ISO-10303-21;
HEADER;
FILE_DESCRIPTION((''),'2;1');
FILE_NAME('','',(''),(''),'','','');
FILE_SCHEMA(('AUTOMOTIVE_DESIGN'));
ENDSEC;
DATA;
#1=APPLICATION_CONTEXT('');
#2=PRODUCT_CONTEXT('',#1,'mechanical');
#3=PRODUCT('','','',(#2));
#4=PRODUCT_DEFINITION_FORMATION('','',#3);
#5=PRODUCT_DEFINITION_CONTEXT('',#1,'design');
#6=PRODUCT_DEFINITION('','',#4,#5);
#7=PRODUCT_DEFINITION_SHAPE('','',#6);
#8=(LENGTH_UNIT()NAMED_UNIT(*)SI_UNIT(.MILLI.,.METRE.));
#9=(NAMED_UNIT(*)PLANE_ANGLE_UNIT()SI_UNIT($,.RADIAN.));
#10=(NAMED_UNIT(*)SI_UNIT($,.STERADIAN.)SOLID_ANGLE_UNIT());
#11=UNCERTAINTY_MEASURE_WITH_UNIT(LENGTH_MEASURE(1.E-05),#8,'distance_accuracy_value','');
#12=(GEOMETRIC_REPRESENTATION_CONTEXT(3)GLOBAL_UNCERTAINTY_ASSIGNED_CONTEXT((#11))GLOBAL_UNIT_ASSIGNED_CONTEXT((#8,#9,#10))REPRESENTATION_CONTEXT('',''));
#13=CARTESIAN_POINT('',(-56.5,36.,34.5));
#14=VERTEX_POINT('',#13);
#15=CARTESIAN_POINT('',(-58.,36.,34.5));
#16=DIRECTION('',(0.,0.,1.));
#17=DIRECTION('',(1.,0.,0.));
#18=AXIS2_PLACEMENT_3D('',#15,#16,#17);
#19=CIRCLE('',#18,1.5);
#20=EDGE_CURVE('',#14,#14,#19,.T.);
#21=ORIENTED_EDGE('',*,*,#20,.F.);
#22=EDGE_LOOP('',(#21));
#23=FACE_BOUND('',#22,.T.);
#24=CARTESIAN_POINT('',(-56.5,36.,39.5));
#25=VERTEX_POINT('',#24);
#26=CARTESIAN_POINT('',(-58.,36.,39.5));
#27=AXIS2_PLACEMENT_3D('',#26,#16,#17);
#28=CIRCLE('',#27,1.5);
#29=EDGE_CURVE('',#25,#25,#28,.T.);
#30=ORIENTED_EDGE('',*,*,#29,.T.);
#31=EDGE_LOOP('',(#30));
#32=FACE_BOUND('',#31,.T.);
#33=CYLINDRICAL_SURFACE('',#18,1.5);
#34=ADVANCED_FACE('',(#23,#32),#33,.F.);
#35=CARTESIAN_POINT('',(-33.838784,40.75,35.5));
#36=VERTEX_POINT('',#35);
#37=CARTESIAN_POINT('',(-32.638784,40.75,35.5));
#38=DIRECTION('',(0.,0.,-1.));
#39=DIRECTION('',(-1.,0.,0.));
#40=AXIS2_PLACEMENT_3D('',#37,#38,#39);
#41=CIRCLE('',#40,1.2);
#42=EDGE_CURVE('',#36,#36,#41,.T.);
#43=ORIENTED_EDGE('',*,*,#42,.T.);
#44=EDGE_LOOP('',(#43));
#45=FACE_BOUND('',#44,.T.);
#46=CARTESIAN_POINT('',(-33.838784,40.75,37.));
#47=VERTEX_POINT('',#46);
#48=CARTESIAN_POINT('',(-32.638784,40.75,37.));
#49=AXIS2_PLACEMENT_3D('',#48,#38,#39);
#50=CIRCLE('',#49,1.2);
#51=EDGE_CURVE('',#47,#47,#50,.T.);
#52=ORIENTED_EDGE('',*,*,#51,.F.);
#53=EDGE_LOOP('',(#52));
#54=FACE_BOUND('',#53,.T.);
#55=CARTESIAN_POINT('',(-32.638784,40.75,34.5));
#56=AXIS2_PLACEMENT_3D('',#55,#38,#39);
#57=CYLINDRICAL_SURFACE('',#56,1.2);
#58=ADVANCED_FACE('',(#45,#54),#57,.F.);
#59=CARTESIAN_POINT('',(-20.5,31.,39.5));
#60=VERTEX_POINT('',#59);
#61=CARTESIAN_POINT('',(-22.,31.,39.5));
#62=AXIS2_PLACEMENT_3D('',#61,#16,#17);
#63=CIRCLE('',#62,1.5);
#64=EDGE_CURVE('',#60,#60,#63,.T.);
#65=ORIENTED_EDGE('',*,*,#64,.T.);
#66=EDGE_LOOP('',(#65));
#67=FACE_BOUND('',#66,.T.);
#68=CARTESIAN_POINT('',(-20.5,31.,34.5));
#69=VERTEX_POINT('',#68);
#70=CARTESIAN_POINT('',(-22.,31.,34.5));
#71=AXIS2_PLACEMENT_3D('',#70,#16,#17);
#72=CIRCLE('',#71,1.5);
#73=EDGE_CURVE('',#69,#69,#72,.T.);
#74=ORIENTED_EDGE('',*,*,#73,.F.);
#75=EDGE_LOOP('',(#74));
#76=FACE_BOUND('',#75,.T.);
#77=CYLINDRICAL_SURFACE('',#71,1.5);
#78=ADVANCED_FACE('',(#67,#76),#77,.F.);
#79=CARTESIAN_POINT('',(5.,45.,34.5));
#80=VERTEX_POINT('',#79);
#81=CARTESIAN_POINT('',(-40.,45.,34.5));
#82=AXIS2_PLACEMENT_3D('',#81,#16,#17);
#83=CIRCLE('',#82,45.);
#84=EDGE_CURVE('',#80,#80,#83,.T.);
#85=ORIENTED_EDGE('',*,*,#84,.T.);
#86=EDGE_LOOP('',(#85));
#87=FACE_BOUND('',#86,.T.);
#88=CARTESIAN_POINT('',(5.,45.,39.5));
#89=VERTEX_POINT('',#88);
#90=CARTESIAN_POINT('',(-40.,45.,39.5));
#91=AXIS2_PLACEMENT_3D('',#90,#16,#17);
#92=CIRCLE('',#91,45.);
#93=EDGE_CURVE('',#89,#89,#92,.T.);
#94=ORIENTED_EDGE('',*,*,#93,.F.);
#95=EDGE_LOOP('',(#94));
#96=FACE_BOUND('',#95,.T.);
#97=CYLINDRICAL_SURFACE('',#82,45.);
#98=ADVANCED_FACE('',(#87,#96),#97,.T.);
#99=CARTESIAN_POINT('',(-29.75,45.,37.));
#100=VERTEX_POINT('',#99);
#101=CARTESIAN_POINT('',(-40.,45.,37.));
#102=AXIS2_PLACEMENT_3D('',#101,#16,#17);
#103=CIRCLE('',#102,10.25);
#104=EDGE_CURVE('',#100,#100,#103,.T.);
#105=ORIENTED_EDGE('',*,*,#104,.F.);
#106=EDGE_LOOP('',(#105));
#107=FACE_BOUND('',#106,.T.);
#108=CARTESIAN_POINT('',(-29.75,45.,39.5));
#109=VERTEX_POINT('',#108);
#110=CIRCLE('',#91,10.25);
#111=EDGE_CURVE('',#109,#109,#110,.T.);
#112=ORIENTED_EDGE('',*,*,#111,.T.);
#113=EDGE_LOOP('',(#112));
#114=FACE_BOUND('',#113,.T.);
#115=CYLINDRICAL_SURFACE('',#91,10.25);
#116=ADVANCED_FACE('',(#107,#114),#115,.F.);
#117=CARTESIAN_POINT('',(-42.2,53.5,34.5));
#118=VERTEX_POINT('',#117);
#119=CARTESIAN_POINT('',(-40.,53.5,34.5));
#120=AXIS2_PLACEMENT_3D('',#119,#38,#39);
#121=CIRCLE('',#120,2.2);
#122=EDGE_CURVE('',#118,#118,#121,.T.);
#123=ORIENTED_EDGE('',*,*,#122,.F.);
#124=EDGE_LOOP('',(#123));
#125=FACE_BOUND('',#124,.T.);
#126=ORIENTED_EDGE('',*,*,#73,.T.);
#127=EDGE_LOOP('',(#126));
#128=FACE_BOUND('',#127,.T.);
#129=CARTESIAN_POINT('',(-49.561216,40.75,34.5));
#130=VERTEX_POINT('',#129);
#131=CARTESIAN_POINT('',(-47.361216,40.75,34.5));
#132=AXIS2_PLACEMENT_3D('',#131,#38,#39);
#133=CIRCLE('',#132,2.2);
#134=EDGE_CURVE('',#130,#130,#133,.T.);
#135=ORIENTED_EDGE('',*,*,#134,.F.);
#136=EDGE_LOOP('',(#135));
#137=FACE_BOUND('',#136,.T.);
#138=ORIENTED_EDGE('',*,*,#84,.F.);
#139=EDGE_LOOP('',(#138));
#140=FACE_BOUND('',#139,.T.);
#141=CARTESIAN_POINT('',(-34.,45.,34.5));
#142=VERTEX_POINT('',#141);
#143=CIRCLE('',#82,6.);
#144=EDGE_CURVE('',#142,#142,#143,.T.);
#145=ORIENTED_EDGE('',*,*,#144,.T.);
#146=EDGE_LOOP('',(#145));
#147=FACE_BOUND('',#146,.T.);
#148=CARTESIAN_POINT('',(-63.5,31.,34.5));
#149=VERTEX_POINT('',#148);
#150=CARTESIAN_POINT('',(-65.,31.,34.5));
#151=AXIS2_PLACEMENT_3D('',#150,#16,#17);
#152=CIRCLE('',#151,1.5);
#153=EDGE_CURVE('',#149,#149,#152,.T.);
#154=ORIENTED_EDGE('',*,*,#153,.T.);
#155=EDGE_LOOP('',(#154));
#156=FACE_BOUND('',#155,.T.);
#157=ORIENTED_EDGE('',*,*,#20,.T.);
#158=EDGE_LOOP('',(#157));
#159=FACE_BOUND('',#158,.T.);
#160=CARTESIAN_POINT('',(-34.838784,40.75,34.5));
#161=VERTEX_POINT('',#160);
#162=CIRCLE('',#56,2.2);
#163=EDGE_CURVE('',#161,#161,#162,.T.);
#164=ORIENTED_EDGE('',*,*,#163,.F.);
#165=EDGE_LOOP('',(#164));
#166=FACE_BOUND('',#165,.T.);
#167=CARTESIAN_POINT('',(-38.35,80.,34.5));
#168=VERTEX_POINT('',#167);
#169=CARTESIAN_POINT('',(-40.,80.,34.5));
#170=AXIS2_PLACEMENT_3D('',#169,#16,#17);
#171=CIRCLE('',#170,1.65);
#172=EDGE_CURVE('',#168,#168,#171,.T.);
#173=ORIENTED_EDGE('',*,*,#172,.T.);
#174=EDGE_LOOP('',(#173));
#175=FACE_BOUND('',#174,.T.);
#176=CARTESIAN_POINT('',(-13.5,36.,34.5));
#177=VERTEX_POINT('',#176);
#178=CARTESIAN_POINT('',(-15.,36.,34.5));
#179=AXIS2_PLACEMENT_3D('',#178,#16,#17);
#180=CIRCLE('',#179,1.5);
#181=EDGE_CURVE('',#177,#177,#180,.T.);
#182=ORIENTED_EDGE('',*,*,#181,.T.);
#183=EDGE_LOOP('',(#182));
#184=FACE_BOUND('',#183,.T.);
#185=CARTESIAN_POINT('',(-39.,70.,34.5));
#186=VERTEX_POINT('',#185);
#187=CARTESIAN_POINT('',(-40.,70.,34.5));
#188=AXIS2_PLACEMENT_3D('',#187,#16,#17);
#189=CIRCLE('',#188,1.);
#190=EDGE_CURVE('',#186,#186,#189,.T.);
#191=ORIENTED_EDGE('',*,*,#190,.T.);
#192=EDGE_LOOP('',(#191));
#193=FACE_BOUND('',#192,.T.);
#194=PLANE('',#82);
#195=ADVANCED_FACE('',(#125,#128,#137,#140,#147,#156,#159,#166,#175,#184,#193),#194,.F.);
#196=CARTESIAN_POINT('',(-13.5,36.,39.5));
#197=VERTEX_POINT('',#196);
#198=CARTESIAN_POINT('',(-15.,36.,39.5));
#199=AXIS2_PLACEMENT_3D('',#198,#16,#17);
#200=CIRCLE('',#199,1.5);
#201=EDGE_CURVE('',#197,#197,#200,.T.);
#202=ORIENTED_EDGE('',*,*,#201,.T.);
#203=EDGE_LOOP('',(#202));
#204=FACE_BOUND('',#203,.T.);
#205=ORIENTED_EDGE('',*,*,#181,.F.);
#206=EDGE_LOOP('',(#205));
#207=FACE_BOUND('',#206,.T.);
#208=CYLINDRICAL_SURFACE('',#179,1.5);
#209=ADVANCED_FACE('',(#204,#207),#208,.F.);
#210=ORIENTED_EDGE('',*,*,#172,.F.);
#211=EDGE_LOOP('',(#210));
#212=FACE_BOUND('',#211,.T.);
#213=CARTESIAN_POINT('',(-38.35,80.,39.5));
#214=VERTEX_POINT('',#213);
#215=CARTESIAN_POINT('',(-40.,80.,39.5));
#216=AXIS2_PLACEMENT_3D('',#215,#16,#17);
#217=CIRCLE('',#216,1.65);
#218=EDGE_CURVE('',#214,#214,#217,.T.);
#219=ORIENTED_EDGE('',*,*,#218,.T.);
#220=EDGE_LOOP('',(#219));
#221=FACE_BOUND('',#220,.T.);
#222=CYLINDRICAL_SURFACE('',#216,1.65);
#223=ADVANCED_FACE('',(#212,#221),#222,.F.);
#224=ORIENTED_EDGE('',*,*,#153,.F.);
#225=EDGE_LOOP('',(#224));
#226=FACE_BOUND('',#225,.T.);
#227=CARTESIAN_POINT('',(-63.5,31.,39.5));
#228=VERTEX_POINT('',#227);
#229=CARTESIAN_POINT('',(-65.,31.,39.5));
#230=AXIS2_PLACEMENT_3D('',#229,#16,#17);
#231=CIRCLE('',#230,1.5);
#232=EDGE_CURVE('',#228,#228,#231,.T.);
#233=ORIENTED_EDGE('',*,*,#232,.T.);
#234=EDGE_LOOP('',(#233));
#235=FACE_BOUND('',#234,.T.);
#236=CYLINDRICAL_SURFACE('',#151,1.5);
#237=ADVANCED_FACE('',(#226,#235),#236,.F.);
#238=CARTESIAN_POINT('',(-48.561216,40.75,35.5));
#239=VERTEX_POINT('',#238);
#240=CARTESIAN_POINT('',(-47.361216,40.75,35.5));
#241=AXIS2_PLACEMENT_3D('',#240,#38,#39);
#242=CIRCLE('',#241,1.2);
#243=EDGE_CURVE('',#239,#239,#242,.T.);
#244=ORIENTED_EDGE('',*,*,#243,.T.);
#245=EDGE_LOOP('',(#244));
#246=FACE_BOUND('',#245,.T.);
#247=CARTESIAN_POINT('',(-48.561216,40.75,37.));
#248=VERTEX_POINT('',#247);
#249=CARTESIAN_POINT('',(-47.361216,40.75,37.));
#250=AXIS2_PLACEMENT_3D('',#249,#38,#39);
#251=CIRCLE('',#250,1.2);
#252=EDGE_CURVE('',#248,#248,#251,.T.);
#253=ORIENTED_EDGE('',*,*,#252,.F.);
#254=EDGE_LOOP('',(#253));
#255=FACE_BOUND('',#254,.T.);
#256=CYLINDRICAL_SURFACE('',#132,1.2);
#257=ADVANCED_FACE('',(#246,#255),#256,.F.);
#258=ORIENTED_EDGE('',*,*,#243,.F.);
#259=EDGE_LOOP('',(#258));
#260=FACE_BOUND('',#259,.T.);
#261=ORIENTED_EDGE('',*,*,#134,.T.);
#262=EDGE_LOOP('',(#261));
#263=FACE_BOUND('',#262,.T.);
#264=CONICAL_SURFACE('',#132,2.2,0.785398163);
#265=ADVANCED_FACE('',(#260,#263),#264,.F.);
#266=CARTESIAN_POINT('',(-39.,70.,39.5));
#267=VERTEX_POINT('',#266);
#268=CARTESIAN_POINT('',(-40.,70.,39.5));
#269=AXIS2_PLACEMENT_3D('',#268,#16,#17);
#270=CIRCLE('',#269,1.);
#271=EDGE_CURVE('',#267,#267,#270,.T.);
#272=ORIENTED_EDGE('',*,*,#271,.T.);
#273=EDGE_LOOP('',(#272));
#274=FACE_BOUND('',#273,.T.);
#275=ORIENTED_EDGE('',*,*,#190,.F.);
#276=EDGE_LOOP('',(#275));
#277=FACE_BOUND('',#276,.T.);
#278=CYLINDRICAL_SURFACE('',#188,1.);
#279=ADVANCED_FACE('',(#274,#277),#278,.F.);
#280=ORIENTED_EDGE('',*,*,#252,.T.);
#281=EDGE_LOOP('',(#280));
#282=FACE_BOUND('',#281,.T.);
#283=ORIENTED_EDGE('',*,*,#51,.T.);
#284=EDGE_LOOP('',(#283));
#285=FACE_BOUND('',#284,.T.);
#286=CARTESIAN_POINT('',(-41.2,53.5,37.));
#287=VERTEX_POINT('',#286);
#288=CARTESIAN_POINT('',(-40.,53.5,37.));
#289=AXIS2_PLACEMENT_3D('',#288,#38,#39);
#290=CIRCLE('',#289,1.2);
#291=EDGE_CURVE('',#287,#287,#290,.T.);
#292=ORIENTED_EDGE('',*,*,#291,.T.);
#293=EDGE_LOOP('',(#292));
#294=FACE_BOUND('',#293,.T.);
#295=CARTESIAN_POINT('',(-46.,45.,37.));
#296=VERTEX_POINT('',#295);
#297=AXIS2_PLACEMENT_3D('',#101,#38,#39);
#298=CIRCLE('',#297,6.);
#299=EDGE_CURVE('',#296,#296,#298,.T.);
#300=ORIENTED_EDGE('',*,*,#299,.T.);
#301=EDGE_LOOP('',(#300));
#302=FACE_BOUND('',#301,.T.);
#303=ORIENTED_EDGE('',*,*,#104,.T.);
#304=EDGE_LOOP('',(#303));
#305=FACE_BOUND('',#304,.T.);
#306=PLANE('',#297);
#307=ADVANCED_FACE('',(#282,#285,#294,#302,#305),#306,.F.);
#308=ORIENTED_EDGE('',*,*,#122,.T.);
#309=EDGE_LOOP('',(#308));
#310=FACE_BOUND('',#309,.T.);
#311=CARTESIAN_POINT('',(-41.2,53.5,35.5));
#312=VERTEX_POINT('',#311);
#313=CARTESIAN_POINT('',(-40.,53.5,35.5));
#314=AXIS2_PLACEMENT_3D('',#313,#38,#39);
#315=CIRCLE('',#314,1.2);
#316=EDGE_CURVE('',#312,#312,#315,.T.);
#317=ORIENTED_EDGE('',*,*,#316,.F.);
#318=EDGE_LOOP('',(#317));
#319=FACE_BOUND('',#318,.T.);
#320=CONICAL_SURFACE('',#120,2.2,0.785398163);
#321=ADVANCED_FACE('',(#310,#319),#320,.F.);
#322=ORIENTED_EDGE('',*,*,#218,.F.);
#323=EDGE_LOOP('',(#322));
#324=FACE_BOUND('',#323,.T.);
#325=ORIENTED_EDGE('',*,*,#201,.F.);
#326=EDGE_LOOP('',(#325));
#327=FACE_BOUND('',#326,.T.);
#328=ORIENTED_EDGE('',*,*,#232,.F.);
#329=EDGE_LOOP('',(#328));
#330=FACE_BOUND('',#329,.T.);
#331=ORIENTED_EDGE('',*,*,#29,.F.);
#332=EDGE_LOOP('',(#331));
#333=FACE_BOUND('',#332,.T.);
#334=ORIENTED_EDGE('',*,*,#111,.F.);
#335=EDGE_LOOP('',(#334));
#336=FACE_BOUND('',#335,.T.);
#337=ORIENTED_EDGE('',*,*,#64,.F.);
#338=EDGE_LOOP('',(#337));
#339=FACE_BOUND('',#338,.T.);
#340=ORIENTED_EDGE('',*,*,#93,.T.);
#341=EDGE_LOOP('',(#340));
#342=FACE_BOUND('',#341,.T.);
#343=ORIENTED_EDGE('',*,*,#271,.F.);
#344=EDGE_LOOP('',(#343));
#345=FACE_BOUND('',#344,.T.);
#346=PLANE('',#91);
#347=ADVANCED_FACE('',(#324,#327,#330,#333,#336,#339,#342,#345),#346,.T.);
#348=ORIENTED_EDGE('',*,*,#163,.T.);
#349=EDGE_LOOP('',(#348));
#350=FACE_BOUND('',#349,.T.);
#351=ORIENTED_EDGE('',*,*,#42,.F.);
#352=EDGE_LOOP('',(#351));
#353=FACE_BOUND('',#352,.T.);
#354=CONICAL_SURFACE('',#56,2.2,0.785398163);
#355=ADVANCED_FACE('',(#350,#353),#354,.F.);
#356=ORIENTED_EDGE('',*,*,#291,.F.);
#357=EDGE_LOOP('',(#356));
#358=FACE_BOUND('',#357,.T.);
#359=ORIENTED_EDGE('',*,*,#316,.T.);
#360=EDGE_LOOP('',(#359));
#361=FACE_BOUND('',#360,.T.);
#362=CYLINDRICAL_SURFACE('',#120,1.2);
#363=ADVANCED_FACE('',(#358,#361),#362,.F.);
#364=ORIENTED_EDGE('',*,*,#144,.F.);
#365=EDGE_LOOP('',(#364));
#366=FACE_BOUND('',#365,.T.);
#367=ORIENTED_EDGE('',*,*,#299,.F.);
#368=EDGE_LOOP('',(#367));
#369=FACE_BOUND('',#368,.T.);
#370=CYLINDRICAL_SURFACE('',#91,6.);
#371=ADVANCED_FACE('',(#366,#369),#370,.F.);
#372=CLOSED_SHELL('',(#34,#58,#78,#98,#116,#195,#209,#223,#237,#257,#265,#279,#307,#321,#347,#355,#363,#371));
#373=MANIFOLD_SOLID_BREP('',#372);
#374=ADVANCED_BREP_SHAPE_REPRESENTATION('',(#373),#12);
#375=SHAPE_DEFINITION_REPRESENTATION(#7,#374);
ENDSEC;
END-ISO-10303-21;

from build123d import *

# Parameters (mm, degrees)
SKETCH1_R                                       = 45
BOSS_EXTRUDE1_DEPTH                             = 5
F_20_5_20_5_DIAMETER_HOLE1_D                    = 20.5
F_20_5_20_5_DIAMETER_HOLE1_DEPTH                = 2.5
F_12_0_12_DIAMETER_HOLE1_D                      = 12
CSK_FOR_M2_FLAT_HEAD_MACHINE_SCREW1_D           = 2.4
CSK_FOR_M2_FLAT_HEAD_MACHINE_SCREW1_DEPTH       = 22.75
CSK_FOR_M2_FLAT_HEAD_MACHINE_SCREW1_CSINK_D     = 4.4
CSK_FOR_M2_FLAT_HEAD_MACHINE_SCREW1_CSINK_ANGLE = 90
CSK_FOR_M2_FLAT_HEAD_MACHINE_SCREW1_TIP         = 0.721032743
M4X0_7_TAPPED_HOLE1_D                           = 3.3
SKETCH15_R                                      = 1.5
M3_TAPPED_HOLE_DEPTH                            = 124.895116934
SKETCH16_R                                      = 1
F_2MM_PIN_DEPTH                                 = 124.895116934


with BuildPart() as part:
    # Sketch1 → Boss-Extrude1 (new body)
    with BuildSketch(Plane.XY.offset(39.5)):
        with Locations((-40, 45)):
            Circle(SKETCH1_R)
    extrude(amount=-BOSS_EXTRUDE1_DEPTH)

    # Ø20.5 (20.5) Diameter Hole1
    with Locations(Plane.XY.offset(39.5)):
        with Locations((-40, 45)):
            Hole(F_20_5_20_5_DIAMETER_HOLE1_D / 2, depth=F_20_5_20_5_DIAMETER_HOLE1_DEPTH)

    # Ø12.0 (12) Diameter Hole1 (through all)
    with Locations(Plane.XY.offset(39.5)):
        with Locations((-40, 45)):
            Hole(F_12_0_12_DIAMETER_HOLE1_D / 2)

    # CSK for M2 Flat Head Machine Screw1
    with Locations(Plane(origin=(0, 0, 34.5), x_dir=(1, 0, 0), z_dir=(0, 0, -1))):
        with Locations((-40, -53.5), (-32.638784068, -40.75), (-47.361215932, -40.75)):
            CounterSinkHole(CSK_FOR_M2_FLAT_HEAD_MACHINE_SCREW1_D / 2, CSK_FOR_M2_FLAT_HEAD_MACHINE_SCREW1_CSINK_D / 2, depth=CSK_FOR_M2_FLAT_HEAD_MACHINE_SCREW1_DEPTH, counter_sink_angle=CSK_FOR_M2_FLAT_HEAD_MACHINE_SCREW1_CSINK_ANGLE)
            with Locations((0, 0, -(CSK_FOR_M2_FLAT_HEAD_MACHINE_SCREW1_DEPTH + CSK_FOR_M2_FLAT_HEAD_MACHINE_SCREW1_TIP / 2))):  # 118° drill point
                Cone(0, CSK_FOR_M2_FLAT_HEAD_MACHINE_SCREW1_D / 2, CSK_FOR_M2_FLAT_HEAD_MACHINE_SCREW1_TIP, mode=Mode.SUBTRACT)

    # M4x0.7 Tapped Hole1 (through all)
    with Locations(Plane.XY.offset(39.5)):
        with Locations((-40, 80)):
            Hole(M4X0_7_TAPPED_HOLE1_D / 2)

    # Sketch15 → M3 Tapped Hole (cut, through all)
    with BuildSketch(Plane.XY.offset(39.5)):
        with Locations((-58, 36)):
            Circle(SKETCH15_R)
        with Locations((-65, 31)):
            Circle(SKETCH15_R)
        with Locations((-15, 36)):
            Circle(SKETCH15_R)
        with Locations((-22, 31)):
            Circle(SKETCH15_R)
    extrude(amount=-M3_TAPPED_HOLE_DEPTH, mode=Mode.SUBTRACT)

    # Sketch16 → 2mm Pin (cut, through all)
    with BuildSketch(Plane.XY.offset(39.5)):
        with Locations((-40, 70)):
            Circle(SKETCH16_R)
    extrude(amount=-F_2MM_PIN_DEPTH, mode=Mode.SUBTRACT)


solid = part.part
